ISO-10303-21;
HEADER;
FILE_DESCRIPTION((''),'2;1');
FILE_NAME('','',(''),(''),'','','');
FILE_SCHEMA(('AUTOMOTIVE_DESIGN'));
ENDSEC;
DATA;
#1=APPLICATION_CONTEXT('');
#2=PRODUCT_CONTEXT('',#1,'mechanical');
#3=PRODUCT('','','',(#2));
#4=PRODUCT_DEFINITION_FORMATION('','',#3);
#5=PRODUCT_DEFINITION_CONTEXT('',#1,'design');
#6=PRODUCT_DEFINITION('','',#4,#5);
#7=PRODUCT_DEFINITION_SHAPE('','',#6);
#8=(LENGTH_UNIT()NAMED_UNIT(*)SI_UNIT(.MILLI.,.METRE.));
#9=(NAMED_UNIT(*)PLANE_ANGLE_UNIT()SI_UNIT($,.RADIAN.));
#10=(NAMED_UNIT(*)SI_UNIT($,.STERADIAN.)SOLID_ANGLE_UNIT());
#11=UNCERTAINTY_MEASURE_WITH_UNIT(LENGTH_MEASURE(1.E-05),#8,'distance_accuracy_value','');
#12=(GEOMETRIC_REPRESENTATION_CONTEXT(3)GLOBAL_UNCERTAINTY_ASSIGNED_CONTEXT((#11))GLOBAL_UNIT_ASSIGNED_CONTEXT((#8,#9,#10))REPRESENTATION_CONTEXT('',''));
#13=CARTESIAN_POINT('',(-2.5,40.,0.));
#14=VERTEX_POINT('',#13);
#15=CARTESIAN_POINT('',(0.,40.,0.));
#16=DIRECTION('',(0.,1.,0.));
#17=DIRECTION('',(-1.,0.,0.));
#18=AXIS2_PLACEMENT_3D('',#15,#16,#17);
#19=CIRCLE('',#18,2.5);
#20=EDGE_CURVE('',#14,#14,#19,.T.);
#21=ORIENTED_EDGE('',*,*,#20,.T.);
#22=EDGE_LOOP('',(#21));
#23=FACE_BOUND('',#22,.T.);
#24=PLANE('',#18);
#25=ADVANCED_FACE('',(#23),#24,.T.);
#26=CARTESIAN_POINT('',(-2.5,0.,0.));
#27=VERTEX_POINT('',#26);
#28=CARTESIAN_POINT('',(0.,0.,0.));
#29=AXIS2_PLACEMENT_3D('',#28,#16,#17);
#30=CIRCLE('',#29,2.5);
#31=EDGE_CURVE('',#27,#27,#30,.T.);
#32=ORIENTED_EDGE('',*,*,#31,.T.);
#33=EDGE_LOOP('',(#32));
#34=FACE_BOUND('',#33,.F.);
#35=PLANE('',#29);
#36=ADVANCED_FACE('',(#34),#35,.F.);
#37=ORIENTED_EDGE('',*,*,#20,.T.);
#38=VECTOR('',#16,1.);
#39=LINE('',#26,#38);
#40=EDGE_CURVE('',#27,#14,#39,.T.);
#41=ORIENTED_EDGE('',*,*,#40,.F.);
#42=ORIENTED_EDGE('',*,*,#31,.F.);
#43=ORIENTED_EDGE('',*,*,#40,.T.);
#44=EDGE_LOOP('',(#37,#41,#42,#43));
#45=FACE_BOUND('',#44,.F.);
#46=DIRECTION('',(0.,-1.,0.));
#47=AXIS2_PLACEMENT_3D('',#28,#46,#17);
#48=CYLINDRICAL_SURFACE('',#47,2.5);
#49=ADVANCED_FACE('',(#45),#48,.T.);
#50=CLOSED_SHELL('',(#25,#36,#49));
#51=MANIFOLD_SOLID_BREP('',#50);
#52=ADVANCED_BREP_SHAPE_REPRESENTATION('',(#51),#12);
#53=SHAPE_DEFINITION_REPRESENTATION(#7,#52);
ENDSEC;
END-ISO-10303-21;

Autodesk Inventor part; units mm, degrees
ref_plane "YZ Plane" through (0, 0, 0) normal (1, 0, 0) x (0, 1, 0)
ref_plane "XZ Plane" through (0, 0, 0) normal (0, 1, 0) x (-1, 0, 0)
ref_plane "XY Plane" through (0, 0, 0) normal (0, 0, 1) x (1, 0, 0)
sketch "Szkic1" plane through (0, 0, 0) normal (0, 1, 0) x (-1, 0, 0)
  circle A0 centre (0, 0) radius 4.25
  line L0 (1.1547, 2) -> (2.3094, 0)
  line L1 (2.3094, 0) -> (1.1547, -2)
  line L2 (1.1547, -2) -> (-1.1547, -2)
  line L3 (-1.1547, -2) -> (-2.3094, 0)
  line L4 (-2.3094, 0) -> (-1.1547, 2)
  line L5 (-1.1547, 2) -> (1.1547, 2)
  circle A1 centre (0, 0) radius 2.5
  dimension "d0" = 8.5
  dimension "d1" = 4
  dimension "d2" = 5
extrude "Wyciągnięcie proste4" add sketch "Szkic1" along normal blind 40 contours L0 L1 L2 L3 L4 L5 | A1
thread "Gwint2" size "M5x0.8" class "6g" standard "ANSI Metric M Profile" full length
properties part number "M5x40_threaded" material "Aluminum 6061"
